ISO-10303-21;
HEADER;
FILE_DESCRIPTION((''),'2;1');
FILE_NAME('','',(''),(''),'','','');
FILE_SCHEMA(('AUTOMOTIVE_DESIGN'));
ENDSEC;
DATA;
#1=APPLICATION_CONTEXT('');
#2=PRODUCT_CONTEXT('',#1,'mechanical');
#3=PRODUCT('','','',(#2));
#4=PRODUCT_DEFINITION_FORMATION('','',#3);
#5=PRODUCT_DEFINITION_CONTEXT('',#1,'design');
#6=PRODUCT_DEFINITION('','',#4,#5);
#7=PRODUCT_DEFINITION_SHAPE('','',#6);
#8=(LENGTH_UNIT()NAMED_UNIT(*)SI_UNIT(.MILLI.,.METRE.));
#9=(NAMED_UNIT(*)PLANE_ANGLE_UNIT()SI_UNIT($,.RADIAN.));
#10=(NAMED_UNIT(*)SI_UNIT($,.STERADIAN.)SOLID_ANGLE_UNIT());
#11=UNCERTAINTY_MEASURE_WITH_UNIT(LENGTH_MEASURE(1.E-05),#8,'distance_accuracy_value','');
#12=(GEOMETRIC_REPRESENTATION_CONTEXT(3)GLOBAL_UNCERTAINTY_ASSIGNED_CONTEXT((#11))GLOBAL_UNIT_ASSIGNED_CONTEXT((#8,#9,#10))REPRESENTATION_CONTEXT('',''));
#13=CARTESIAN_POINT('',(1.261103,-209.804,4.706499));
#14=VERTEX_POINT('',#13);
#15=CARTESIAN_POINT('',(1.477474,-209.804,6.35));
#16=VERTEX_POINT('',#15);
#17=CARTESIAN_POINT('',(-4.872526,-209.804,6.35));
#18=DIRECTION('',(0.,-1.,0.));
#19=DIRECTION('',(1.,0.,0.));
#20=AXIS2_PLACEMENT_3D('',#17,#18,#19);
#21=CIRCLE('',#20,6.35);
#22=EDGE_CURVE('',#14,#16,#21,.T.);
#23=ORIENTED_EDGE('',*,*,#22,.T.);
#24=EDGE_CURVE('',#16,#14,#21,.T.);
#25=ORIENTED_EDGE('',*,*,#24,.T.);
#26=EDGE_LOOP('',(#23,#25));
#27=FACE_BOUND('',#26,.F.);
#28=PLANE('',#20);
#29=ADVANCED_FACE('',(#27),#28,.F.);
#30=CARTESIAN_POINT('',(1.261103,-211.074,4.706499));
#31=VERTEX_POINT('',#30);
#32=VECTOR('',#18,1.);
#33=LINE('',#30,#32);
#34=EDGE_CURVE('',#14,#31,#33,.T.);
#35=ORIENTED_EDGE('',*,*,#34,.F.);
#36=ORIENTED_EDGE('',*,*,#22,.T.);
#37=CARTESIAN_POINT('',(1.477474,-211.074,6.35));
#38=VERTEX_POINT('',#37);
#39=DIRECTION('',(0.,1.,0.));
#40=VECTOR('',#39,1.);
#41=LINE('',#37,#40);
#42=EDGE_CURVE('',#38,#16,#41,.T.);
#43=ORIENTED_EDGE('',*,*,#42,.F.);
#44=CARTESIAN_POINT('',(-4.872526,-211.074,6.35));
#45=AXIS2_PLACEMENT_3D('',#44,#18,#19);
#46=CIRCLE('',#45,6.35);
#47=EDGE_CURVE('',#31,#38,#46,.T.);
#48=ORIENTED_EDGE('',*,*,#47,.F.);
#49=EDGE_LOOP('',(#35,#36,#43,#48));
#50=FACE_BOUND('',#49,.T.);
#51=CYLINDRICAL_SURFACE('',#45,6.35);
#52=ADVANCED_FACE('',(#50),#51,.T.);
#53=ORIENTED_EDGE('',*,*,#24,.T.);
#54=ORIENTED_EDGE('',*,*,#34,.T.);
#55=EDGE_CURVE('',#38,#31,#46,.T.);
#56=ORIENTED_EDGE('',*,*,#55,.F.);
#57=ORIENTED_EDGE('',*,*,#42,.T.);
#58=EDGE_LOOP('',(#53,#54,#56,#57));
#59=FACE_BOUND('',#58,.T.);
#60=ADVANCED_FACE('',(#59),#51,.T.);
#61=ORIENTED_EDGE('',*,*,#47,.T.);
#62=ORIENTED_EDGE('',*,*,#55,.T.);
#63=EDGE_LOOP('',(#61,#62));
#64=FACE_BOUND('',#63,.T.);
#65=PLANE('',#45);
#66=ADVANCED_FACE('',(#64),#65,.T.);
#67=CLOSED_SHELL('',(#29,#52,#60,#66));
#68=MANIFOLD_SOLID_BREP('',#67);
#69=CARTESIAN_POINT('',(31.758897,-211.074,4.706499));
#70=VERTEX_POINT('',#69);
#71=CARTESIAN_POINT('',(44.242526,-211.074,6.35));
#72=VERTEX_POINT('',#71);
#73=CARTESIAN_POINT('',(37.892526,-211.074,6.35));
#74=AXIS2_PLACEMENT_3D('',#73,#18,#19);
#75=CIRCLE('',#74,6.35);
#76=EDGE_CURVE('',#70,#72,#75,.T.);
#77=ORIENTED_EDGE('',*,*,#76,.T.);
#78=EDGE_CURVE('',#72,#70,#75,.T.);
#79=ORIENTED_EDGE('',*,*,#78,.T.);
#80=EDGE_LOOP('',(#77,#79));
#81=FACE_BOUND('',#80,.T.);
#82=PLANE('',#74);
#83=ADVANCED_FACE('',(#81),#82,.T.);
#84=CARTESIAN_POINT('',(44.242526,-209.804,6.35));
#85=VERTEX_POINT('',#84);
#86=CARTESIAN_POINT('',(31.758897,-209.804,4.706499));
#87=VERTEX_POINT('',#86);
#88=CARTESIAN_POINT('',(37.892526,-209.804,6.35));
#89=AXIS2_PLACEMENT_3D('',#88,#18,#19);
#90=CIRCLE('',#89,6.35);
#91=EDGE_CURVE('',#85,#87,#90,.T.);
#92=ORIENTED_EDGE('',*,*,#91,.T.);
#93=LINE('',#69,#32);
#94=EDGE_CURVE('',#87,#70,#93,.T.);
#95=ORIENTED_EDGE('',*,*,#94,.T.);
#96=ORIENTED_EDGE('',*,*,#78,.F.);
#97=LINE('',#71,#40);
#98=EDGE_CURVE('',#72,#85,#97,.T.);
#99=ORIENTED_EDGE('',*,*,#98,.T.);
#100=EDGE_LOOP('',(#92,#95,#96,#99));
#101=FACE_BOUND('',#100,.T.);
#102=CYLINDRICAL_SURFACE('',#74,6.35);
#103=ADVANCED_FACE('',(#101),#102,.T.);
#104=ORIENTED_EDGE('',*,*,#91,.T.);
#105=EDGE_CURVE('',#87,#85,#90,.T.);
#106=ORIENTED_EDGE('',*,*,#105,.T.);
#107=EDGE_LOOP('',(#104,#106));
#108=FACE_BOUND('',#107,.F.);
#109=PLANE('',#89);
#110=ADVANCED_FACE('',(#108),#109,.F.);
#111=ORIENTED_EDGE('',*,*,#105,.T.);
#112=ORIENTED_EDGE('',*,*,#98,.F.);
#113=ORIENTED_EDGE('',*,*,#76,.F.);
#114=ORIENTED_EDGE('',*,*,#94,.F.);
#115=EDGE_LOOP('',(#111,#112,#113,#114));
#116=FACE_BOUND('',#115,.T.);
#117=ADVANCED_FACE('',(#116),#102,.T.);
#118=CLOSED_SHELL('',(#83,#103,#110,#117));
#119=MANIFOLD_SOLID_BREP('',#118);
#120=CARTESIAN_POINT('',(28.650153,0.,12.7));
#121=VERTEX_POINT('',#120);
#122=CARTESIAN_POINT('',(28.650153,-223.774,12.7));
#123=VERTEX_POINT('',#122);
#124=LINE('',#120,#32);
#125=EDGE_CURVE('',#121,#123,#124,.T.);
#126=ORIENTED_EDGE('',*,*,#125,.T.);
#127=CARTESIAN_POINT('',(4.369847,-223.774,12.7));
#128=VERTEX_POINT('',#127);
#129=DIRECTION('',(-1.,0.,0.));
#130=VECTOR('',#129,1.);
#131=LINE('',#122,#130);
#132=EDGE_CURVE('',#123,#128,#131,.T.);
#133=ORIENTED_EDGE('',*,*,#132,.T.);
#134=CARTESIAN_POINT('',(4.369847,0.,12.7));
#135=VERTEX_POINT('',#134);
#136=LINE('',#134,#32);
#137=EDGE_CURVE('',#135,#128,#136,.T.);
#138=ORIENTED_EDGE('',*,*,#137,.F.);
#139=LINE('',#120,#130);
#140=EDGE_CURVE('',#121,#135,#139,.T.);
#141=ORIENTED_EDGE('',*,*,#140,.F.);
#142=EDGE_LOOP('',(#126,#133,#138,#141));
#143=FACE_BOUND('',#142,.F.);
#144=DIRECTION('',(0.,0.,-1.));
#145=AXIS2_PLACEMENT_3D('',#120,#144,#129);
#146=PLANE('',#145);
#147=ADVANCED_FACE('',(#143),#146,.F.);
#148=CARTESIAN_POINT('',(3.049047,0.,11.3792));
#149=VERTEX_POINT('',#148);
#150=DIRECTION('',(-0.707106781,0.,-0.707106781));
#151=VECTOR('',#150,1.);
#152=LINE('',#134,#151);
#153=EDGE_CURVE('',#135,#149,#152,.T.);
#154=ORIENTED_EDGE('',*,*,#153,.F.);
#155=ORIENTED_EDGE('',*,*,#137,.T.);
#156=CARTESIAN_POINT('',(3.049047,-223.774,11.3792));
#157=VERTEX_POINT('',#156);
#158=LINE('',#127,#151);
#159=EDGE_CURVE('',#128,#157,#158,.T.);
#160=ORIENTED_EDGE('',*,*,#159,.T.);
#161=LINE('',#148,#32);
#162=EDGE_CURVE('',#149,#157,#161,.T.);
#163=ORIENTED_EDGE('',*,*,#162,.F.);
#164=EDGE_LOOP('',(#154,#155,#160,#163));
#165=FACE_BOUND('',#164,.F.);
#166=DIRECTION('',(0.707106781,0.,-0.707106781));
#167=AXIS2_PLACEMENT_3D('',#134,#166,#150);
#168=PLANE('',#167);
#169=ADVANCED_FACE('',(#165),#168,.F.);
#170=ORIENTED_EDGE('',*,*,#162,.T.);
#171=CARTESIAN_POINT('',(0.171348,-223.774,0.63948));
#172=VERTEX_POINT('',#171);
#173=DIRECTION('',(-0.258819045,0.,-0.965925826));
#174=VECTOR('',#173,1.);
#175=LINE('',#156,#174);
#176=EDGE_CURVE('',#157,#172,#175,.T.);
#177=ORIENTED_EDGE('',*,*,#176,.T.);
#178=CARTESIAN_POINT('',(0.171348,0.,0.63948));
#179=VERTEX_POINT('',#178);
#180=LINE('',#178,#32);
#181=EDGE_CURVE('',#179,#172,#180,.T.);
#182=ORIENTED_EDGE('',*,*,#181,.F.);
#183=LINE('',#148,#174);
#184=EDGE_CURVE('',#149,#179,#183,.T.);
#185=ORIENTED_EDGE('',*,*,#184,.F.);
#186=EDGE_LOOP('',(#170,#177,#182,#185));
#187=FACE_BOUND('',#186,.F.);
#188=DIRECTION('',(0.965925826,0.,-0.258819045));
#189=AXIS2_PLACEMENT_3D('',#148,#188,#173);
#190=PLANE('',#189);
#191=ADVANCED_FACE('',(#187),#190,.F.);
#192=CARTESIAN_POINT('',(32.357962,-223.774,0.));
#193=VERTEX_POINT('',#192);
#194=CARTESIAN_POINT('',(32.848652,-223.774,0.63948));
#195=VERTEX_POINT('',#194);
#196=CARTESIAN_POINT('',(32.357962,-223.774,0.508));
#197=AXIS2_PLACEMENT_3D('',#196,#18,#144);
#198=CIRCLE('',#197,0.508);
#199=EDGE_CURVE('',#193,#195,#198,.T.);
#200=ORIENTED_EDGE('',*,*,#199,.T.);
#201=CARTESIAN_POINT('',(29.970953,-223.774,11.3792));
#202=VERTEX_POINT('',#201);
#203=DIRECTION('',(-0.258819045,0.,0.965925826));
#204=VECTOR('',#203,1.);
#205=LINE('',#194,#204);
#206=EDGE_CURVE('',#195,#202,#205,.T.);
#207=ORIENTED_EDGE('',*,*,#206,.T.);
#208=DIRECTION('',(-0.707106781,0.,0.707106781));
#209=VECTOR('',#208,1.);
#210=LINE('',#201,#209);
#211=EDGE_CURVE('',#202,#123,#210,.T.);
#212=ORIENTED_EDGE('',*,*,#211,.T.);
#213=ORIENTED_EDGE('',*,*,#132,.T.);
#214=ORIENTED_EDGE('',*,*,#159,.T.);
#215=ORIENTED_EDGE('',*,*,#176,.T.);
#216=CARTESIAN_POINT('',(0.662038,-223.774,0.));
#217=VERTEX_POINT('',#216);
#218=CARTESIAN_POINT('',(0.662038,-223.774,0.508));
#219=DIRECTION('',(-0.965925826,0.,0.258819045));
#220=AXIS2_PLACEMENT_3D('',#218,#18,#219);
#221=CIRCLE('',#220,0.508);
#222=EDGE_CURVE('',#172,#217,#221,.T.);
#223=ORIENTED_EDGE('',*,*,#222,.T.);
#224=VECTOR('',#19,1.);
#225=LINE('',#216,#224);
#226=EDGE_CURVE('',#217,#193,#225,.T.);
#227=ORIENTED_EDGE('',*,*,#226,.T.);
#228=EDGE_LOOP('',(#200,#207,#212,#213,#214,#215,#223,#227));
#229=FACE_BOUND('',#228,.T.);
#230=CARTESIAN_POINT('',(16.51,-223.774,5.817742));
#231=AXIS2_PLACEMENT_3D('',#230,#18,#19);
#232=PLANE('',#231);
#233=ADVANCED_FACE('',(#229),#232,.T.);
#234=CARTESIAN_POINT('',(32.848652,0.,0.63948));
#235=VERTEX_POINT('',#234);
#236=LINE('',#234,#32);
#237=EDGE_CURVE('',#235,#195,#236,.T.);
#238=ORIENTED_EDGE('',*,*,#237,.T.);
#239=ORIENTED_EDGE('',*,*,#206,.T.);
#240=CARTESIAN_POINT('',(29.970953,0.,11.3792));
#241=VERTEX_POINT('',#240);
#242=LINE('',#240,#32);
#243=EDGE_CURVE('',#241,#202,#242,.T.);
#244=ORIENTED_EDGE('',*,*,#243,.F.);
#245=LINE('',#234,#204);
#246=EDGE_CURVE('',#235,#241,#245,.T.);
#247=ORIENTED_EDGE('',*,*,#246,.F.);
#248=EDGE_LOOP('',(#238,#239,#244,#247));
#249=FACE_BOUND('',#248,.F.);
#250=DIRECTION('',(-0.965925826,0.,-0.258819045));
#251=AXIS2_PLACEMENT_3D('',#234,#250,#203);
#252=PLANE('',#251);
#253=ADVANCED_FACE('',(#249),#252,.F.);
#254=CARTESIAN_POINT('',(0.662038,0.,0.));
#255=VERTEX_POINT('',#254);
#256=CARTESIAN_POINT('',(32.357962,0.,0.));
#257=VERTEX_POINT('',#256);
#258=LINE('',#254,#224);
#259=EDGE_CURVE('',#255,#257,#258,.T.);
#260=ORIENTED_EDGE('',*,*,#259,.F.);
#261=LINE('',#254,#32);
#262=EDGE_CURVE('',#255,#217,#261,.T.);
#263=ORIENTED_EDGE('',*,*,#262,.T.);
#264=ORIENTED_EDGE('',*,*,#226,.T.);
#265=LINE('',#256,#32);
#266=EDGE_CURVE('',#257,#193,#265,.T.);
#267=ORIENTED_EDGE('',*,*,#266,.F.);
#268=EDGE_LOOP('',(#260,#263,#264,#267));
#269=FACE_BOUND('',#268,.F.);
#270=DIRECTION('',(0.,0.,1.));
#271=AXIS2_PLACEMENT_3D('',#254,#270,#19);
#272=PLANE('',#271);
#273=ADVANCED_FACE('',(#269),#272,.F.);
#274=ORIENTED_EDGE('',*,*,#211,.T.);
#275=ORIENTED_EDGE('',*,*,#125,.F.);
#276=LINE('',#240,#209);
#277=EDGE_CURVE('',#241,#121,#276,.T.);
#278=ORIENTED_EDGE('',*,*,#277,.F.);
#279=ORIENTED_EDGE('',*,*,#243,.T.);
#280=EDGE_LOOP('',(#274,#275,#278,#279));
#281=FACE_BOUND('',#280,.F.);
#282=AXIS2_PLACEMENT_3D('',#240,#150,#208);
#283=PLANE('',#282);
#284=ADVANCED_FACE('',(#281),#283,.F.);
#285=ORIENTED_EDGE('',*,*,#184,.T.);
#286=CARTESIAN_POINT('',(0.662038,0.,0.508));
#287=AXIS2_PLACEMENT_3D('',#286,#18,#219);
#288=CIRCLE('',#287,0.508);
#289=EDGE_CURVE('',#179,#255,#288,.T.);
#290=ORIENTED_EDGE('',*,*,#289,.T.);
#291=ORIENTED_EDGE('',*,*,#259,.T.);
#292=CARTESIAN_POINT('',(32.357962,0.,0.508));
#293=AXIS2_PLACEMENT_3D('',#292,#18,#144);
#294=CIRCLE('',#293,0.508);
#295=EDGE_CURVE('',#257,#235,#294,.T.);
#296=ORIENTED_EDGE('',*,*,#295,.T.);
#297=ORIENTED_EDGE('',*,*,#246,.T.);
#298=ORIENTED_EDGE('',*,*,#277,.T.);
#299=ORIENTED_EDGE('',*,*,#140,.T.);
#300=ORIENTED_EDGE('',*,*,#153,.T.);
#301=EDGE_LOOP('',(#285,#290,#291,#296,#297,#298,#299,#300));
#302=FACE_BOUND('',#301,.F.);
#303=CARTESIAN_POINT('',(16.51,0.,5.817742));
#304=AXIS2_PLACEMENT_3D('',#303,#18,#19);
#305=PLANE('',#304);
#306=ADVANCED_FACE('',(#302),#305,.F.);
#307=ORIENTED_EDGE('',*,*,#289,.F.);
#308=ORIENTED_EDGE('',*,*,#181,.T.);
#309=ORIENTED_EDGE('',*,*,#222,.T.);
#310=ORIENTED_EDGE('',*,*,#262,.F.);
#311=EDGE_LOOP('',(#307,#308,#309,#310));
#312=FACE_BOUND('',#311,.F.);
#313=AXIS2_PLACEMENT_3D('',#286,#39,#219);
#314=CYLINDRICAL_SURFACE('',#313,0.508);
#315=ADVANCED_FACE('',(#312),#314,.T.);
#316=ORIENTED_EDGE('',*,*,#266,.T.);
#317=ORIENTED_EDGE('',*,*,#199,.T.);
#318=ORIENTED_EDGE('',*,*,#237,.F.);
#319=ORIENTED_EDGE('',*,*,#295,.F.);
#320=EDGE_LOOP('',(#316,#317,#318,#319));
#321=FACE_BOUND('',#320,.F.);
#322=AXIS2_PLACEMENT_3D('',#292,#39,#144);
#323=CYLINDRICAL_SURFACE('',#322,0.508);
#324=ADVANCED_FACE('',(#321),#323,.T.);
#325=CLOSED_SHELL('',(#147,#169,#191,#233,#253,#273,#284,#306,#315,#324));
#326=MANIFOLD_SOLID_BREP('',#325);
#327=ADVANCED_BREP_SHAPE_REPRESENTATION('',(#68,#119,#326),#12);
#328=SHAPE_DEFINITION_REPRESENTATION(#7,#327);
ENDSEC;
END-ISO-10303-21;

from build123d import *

# Parameters (mm, degrees)
F1_DEPTH = 223.774
F3_R     = 6.35
F4_DEPTH = 1.27


with BuildPart() as f1:
    # F0 (on Front) → F1 (new body)
    with BuildSketch(Plane.XZ):
        with BuildLine():
            ThreePointArc((0.1713481696, 0.6394800749), (0.2590149925, 0.1987491941), (0.6620384894, 0))
            Line((0.6620384894, 0), (32.3579615106, 0))
            ThreePointArc((32.3579615106, 0), (32.7609850075, 0.1987491941), (32.8486518304, 0.6394800749))
            Line((32.8486518304, 0.6394800749), (29.9709525495, 11.3792))
            Line((29.9709525495, 11.3792), (28.6501525495, 12.7))
            Line((28.6501525495, 12.7), (4.3698474505, 12.7))
            Line((4.3698474505, 12.7), (3.0490474505, 11.3792))
            Line((3.0490474505, 11.3792), (0.1713481696, 0.6394800749))
        make_face()
    extrude(amount=F1_DEPTH)

    # F3 (on offset) → F4 (join)
    with BuildSketch(Plane.XZ.offset(211.074)):
        with Locations((37.8925263737, 6.35)):
            Circle(F3_R)
        with Locations((-4.8725263737, 6.35)):
            Circle(F3_R)
    extrude(amount=-F4_DEPTH)


solid = f1.part
